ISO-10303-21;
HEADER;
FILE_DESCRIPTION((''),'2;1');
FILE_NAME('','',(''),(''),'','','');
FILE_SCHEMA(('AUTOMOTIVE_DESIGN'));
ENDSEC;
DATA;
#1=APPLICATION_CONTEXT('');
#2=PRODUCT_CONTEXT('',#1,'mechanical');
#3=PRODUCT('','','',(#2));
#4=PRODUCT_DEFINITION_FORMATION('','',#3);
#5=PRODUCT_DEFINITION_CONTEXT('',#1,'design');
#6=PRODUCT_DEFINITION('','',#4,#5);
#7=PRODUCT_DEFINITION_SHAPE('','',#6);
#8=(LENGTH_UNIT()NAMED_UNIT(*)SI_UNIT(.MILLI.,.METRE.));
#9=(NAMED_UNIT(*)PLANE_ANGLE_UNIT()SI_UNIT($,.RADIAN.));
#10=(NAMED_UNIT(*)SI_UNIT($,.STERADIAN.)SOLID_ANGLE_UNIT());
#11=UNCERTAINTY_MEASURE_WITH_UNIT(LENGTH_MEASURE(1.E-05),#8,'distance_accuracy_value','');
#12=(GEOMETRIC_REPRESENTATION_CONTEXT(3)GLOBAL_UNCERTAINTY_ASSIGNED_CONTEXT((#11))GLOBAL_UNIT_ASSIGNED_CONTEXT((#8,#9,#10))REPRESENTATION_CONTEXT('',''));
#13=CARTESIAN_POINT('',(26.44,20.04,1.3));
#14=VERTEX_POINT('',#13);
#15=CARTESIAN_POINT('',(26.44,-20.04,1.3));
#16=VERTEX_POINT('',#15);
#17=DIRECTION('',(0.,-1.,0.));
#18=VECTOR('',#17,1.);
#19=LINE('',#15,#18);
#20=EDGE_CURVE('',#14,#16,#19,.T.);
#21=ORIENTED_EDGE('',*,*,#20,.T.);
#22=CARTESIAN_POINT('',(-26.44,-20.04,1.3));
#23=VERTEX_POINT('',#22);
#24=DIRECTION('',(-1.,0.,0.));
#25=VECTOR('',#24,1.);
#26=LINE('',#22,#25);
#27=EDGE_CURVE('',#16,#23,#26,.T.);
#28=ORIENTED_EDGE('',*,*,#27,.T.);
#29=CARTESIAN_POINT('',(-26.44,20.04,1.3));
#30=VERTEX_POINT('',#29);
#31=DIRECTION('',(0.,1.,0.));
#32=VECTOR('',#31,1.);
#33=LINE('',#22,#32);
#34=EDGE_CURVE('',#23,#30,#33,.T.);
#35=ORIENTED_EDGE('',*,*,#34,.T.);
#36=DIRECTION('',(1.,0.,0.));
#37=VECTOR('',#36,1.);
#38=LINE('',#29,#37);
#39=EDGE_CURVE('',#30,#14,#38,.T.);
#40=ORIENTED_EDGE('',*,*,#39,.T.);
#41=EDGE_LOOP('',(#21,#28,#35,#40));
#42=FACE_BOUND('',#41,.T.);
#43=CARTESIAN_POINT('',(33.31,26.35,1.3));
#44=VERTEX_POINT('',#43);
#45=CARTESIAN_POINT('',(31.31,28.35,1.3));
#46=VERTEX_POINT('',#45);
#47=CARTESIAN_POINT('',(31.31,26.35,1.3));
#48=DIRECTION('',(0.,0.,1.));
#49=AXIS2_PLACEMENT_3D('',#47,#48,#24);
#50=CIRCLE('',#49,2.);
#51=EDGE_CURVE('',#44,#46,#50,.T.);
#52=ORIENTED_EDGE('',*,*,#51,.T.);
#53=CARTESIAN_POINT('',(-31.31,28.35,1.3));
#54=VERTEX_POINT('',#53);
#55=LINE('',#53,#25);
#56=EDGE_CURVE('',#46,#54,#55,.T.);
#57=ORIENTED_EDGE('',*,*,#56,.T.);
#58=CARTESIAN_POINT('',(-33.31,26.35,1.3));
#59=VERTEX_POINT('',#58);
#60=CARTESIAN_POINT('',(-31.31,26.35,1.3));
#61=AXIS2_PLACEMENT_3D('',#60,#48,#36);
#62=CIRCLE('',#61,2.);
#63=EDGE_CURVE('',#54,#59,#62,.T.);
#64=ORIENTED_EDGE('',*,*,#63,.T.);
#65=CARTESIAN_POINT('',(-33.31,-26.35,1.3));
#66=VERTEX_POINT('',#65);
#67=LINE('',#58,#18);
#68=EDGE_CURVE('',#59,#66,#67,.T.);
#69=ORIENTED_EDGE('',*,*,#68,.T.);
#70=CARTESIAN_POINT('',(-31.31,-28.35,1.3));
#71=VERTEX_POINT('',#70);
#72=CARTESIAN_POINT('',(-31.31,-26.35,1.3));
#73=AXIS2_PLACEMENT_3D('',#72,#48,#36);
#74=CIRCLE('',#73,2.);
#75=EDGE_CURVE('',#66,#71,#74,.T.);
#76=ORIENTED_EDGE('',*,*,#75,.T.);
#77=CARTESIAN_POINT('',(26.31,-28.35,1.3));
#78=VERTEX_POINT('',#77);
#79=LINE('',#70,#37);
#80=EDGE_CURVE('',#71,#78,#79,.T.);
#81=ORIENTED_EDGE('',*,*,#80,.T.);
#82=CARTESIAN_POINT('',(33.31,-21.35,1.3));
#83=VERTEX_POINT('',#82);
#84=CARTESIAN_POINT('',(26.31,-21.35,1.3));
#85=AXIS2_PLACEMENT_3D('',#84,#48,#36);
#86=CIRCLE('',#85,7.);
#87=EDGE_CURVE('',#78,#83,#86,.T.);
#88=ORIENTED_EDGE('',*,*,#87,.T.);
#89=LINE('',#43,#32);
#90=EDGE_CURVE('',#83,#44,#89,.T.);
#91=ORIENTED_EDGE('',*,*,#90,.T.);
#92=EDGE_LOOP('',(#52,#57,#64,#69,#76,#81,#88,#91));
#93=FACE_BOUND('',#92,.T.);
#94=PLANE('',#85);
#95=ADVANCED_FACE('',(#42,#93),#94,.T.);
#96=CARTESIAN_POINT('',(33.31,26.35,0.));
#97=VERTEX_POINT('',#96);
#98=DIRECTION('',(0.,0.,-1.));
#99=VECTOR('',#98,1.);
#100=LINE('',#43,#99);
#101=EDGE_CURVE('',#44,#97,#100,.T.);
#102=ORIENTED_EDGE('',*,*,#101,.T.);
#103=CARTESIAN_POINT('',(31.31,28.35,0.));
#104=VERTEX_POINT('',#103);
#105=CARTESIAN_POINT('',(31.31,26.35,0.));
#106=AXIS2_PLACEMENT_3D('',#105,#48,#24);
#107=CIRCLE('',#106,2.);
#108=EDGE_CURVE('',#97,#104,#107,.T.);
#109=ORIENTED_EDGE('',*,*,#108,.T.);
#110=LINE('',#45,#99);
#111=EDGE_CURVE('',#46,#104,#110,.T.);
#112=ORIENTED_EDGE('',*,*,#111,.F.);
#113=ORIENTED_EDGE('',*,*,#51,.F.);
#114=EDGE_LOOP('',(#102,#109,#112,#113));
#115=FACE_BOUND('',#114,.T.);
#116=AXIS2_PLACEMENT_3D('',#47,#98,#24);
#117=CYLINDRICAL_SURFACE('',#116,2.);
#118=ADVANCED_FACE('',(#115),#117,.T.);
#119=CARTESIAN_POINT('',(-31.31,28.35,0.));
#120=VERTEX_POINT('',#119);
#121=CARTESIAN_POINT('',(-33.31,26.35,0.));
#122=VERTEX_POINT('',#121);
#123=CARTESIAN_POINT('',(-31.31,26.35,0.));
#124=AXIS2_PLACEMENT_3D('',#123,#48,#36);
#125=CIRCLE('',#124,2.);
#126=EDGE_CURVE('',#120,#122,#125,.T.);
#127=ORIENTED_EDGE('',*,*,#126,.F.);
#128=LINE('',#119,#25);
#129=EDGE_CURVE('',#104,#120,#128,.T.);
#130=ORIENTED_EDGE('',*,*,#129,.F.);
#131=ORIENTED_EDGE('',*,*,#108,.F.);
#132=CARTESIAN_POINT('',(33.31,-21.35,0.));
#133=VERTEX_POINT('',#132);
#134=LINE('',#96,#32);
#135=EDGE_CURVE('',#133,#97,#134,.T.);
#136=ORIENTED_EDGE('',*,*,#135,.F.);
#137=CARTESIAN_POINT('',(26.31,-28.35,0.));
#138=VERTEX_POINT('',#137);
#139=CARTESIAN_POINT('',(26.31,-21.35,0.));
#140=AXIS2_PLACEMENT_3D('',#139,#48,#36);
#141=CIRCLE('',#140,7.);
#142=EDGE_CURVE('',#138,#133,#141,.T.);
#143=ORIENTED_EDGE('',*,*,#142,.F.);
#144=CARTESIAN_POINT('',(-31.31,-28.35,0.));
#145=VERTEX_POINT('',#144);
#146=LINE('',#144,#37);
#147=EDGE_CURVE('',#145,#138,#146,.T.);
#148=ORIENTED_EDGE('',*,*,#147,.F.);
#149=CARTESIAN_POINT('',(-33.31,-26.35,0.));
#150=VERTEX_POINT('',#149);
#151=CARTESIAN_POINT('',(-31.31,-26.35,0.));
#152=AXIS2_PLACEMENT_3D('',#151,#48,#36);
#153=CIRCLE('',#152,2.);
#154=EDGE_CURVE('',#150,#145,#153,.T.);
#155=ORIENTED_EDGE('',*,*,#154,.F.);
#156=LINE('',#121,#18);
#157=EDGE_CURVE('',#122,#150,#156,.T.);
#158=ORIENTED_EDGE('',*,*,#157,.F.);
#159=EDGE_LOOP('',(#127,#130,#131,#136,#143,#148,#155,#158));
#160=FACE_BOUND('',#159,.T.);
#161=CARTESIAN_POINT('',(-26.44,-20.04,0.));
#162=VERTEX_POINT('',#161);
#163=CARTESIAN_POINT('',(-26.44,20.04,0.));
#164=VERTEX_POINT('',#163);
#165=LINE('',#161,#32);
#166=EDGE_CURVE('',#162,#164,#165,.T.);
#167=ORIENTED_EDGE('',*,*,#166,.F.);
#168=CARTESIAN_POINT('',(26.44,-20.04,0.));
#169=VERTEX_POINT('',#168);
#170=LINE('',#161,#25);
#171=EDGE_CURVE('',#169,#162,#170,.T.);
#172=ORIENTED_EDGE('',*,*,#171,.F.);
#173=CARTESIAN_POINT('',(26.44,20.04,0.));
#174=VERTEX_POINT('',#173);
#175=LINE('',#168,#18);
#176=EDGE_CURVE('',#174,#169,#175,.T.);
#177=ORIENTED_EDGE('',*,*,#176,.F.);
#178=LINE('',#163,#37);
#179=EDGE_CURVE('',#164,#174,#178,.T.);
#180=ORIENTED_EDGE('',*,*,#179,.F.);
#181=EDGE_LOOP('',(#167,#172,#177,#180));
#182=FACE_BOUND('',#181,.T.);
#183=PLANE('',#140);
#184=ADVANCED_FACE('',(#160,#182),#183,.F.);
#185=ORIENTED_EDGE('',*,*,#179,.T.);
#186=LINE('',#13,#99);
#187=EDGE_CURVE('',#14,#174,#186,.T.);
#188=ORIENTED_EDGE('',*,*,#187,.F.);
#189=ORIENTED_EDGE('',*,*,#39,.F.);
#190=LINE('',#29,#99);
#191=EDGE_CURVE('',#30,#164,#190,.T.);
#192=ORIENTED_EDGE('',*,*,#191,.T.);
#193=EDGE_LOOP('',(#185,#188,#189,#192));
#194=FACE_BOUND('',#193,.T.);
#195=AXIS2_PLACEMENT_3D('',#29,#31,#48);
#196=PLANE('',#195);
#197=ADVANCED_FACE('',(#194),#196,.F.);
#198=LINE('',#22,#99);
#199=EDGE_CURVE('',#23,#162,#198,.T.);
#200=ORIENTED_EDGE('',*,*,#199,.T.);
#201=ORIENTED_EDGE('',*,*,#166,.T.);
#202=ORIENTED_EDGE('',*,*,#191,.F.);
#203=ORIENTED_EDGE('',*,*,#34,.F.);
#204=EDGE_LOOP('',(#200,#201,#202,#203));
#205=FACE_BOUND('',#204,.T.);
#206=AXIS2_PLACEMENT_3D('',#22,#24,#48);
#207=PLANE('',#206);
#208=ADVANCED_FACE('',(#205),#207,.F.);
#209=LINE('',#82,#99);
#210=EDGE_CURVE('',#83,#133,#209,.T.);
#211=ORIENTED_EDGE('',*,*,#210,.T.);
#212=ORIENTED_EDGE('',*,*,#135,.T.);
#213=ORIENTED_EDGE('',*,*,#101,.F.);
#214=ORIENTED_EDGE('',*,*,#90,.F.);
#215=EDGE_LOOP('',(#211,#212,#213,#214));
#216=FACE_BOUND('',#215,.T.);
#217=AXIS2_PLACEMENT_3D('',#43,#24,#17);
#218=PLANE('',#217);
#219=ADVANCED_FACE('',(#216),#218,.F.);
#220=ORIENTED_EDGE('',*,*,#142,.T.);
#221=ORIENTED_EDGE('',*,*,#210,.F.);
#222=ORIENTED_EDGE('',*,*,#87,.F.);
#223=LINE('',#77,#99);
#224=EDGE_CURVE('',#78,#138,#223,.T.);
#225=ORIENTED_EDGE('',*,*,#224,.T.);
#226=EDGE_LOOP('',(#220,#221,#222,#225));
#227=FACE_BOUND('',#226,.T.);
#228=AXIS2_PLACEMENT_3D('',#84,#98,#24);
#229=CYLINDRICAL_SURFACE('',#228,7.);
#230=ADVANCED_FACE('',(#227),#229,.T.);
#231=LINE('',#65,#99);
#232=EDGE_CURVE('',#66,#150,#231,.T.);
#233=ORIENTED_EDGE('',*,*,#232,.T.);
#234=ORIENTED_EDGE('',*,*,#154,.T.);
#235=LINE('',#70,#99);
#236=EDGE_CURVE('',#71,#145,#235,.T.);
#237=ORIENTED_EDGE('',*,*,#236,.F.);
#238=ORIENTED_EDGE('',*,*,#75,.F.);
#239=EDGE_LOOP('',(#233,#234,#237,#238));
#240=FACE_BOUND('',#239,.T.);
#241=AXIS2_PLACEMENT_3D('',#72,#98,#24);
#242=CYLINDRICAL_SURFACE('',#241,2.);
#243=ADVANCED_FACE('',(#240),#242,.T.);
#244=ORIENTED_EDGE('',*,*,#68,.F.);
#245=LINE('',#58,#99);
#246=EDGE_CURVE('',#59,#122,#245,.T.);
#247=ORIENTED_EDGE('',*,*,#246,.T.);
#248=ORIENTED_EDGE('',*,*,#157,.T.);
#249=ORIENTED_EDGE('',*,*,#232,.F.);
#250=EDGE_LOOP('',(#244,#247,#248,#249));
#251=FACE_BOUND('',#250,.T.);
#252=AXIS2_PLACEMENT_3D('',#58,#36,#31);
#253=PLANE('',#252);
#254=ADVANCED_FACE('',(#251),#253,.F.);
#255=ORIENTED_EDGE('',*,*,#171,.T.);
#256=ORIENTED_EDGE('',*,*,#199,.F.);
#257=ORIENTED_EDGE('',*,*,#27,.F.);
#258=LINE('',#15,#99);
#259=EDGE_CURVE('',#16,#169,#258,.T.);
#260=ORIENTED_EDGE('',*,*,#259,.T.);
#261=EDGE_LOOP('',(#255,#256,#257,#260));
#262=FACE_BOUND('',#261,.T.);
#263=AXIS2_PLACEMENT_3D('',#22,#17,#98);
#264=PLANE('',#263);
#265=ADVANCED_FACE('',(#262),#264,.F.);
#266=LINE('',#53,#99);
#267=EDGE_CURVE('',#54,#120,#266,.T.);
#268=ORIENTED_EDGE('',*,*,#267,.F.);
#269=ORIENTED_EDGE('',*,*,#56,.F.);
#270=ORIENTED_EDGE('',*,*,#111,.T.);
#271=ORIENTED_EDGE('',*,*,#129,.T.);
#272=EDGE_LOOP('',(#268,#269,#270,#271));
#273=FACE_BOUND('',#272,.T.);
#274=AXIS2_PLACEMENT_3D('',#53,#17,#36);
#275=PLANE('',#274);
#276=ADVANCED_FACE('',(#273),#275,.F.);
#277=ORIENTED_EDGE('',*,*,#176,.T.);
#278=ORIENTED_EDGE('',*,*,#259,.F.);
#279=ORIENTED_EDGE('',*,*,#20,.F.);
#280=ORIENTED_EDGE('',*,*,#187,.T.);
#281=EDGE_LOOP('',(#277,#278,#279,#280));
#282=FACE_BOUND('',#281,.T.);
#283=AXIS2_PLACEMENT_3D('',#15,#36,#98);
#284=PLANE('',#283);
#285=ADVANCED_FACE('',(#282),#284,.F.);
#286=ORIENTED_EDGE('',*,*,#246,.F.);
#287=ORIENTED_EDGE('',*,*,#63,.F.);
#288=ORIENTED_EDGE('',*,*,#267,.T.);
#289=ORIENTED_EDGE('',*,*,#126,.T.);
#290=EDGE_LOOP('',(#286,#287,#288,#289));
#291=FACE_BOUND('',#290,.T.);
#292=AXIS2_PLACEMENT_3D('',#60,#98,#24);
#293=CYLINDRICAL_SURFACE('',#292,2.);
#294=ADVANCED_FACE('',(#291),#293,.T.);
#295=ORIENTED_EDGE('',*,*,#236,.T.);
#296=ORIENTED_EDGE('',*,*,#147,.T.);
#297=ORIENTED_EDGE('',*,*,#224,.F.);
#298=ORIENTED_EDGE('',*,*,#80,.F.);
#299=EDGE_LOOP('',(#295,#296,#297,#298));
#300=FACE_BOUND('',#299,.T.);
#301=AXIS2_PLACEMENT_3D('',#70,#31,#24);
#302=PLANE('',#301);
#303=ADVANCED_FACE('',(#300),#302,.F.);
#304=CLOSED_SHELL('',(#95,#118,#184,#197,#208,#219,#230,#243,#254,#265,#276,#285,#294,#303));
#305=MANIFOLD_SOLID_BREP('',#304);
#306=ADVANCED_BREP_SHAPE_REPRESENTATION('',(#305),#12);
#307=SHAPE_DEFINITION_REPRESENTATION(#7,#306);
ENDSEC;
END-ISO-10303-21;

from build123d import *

# Parameters (mm, degrees)
BOSS_EXTRUDE1_DEPTH = 1.3
SKETCH2_W           = 52.88
SKETCH2_H           = 40.08
CUT_EXTRUDE1_DEPTH  = 44.760354203


with BuildPart() as part:
    # Sketch1 → Boss-Extrude1 (new body)
    with BuildSketch(Plane.XY):
        with BuildLine():
            Line((-31.31, 28.35), (31.31, 28.35))
            ThreePointArc((31.31, 28.35), (32.724213562, 27.764213562), (33.31, 26.35))
            Line((33.31, 26.35), (33.31, -21.35))
            ThreePointArc((33.31, -21.35), (31.259747468, -26.299747468), (26.31, -28.35))
            Line((26.31, -28.35), (-31.31, -28.35))
            ThreePointArc((-31.31, -28.35), (-32.724213562, -27.764213562), (-33.31, -26.35))
            Line((-33.31, -26.35), (-33.31, 26.35))
            ThreePointArc((-33.31, 26.35), (-32.724213562, 27.764213562), (-31.31, 28.35))
        make_face()
    extrude(amount=BOSS_EXTRUDE1_DEPTH)

    # Sketch2 → Cut-Extrude1 (cut, through all)
    with BuildSketch(Plane(origin=(0, 0, 0), x_dir=(-1, 0, 0), z_dir=(0, 0, -1))):
        Rectangle(SKETCH2_W, SKETCH2_H)
    extrude(amount=-CUT_EXTRUDE1_DEPTH, mode=Mode.SUBTRACT)


solid = part.part
